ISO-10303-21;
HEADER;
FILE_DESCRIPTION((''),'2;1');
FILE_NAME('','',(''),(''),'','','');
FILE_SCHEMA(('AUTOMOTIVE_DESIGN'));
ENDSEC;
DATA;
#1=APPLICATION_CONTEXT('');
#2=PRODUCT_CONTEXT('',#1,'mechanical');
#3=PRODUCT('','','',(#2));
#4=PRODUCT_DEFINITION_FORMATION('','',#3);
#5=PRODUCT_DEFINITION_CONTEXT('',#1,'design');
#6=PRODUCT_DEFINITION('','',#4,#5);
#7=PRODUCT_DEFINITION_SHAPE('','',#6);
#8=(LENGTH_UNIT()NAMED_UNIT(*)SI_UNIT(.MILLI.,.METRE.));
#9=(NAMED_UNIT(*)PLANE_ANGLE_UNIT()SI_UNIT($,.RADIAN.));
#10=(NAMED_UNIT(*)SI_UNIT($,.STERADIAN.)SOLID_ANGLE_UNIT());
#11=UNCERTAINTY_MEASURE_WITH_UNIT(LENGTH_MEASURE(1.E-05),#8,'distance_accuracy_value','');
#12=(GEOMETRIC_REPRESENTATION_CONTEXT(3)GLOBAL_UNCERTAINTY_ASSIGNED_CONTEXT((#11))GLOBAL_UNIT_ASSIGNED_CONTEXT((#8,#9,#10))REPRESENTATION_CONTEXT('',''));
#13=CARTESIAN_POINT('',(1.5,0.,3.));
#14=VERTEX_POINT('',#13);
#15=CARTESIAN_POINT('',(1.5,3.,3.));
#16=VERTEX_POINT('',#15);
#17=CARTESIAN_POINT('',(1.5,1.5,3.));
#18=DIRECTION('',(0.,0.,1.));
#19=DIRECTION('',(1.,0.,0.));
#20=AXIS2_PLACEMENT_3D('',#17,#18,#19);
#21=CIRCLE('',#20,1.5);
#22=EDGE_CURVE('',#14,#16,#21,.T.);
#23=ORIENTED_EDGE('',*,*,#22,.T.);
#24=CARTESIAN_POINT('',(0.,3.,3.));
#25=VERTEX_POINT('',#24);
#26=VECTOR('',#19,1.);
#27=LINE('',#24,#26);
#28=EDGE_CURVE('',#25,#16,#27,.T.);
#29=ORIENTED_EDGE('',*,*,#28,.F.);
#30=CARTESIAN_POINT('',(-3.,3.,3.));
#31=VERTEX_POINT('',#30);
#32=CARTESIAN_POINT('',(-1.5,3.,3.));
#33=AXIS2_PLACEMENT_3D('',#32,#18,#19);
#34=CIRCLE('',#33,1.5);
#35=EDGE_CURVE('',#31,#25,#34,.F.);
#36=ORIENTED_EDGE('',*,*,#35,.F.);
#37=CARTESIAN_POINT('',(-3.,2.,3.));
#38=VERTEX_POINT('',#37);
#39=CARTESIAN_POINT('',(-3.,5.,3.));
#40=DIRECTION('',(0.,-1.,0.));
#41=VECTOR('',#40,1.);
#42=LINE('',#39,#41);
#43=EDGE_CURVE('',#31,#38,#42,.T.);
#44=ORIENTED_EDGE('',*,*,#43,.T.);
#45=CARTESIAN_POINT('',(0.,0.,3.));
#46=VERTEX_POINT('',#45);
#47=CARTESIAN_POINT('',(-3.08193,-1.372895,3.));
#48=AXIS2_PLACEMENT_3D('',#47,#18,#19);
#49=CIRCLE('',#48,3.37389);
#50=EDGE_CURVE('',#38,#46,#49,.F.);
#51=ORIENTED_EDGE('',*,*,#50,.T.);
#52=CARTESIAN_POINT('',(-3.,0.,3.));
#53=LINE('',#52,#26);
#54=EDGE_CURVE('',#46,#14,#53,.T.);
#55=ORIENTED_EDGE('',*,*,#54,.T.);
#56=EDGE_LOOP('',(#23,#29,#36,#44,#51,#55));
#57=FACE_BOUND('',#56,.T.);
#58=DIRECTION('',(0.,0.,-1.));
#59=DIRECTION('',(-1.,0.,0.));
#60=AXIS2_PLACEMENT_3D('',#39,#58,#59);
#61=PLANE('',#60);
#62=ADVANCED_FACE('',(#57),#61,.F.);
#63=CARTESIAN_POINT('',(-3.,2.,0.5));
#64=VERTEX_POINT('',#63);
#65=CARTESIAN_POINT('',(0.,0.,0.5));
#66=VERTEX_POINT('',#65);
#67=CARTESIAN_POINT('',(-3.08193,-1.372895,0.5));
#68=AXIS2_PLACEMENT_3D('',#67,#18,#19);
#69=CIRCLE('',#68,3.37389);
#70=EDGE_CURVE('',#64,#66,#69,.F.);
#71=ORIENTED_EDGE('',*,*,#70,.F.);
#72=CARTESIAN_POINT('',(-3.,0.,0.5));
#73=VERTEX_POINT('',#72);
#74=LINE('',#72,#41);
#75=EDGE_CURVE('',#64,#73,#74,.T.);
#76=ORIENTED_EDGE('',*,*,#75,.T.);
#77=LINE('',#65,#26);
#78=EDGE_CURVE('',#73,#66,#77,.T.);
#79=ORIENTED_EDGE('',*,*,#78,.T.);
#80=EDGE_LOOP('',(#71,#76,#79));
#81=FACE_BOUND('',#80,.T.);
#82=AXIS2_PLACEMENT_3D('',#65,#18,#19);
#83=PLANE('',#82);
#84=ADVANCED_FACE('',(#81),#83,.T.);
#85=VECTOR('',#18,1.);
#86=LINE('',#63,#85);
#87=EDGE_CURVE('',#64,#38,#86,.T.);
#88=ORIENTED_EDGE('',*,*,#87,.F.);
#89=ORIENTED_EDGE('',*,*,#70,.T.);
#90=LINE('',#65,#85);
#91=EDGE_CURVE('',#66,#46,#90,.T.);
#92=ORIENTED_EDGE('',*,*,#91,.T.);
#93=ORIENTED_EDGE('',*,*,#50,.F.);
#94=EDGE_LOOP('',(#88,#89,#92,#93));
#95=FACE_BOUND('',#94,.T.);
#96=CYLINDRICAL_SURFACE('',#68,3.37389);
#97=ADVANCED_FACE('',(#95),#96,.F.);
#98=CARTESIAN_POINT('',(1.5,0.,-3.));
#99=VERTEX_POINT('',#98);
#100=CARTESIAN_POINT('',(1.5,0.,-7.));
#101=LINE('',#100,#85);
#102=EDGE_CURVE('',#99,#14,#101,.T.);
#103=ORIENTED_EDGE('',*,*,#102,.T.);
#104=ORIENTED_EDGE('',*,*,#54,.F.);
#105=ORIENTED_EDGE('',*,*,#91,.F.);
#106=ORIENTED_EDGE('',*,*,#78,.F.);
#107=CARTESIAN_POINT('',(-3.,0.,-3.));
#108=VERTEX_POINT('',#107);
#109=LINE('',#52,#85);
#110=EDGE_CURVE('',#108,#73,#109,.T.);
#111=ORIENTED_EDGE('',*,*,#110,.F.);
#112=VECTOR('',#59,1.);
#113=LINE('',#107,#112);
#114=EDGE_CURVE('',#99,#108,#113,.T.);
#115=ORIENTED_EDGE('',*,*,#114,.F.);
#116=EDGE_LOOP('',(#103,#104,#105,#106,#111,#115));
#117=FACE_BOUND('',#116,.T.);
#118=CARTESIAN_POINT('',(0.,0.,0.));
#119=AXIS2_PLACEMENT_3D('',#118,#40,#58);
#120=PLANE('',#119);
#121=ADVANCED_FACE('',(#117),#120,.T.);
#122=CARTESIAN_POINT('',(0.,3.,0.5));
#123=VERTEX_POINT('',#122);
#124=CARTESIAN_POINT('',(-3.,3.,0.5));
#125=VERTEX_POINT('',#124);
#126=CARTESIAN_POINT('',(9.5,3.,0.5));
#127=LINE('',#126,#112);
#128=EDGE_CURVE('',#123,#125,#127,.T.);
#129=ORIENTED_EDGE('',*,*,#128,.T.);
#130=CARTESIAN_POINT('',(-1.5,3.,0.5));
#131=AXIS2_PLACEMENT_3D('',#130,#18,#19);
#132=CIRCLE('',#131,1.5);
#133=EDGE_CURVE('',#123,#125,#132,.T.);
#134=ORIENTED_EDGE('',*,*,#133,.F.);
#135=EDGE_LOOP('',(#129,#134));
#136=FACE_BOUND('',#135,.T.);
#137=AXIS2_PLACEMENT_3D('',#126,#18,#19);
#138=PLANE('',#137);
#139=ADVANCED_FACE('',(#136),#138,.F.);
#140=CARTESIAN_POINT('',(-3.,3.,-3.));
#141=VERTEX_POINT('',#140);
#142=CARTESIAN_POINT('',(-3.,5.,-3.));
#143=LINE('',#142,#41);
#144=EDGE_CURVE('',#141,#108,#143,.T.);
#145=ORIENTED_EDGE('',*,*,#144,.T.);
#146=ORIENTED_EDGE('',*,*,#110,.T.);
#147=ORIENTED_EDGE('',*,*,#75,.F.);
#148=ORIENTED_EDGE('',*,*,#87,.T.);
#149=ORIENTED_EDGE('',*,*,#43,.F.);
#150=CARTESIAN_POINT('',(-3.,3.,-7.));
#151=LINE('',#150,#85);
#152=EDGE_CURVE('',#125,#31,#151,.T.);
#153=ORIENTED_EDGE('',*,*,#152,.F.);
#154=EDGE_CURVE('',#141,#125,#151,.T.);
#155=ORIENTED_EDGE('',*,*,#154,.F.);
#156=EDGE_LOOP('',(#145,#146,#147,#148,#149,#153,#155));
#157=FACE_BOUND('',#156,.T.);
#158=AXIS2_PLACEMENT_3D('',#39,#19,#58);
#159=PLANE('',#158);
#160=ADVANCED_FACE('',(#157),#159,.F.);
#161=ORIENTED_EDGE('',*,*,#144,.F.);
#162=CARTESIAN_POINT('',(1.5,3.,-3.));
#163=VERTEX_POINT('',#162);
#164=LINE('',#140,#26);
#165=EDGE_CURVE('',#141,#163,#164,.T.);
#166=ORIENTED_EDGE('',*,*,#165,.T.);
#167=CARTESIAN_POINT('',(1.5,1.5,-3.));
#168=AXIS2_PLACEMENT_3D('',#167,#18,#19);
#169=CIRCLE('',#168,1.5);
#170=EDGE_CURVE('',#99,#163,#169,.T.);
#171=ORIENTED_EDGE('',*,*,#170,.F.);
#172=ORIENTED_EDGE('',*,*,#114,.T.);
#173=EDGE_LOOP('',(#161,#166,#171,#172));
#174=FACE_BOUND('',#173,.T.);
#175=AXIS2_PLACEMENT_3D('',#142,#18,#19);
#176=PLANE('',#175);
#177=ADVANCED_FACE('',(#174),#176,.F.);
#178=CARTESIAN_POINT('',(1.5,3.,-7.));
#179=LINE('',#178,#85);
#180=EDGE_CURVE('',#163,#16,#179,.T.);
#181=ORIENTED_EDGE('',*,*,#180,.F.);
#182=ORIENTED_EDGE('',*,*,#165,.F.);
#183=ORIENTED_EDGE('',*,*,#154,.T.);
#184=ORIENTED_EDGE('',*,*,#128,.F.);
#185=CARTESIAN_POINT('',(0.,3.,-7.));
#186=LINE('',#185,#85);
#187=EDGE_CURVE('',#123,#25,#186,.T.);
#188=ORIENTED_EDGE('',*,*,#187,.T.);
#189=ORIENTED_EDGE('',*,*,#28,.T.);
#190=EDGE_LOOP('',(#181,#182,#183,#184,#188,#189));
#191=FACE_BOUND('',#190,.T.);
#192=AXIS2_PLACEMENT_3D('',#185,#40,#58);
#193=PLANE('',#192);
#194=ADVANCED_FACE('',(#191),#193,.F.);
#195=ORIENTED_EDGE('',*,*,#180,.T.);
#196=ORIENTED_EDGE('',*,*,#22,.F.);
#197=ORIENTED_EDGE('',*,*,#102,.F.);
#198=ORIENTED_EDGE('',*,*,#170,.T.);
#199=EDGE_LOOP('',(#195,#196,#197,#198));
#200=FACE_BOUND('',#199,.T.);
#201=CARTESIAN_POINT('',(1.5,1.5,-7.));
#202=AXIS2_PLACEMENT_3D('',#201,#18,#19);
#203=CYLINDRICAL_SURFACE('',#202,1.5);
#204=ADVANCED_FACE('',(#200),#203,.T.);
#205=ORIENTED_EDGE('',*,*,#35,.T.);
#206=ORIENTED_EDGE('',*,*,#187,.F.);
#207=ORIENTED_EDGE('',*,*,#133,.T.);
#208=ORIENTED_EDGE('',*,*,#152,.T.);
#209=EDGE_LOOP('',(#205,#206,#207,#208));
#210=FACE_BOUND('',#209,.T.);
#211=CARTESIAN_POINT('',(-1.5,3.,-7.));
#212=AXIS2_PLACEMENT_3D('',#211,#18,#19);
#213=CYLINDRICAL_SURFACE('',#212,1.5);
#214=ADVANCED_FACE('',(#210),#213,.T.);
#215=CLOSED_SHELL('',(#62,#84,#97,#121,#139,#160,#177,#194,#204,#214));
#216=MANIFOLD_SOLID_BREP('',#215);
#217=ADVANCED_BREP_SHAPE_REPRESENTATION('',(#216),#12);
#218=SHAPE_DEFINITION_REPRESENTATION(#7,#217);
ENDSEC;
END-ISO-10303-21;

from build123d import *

# Parameters (mm, degrees)
SKETCH1_W               = 6
SKETCH1_H               = 6
BOSS_EXTRUDE1_DEPTH     = 5
CUT_EXTRUDE1_DEPTH      = 10
CUT_EXTRUDE2_DEPTH      = 1
CUT_EXTRUDE2_DEPTH_BACK = 2.5
SKETCH4_W               = 3.5
SKETCH4_H               = 1.5
CUT_EXTRUDE3_DEPTH      = 12.5


with BuildPart() as part:
    # Sketch1 → Boss-Extrude1 (new body)
    with BuildSketch(Plane(origin=(0, 0, 0), x_dir=(1, 0, 0), z_dir=(0, 1, 0))):
        Rectangle(SKETCH1_W, SKETCH1_H)
    extrude(amount=BOSS_EXTRUDE1_DEPTH)

    # Sketch2 → Cut-Extrude1 (cut)
    with BuildSketch(Plane.XY.offset(3)):
        with BuildLine():
            ThreePointArc((-3, 3), (-1.5, 4.5), (0, 3))
            Line((0, 3), (1.5, 3))
            ThreePointArc((1.5, 3), (2.560660172, 2.560660172), (3, 1.5))
            Line((3, 1.5), (3, 5))
            Line((3, 5), (-3, 5))
            Line((-3, 5), (-3, 3))
        make_face()
        with BuildLine():
            Line((3, 0), (3, 1.5))
            ThreePointArc((3, 1.5), (2.560660172, 0.439339828), (1.5, 0))
            Line((1.5, 0), (3, 0))
        make_face()
    extrude(amount=-CUT_EXTRUDE1_DEPTH, mode=Mode.SUBTRACT)

    # Sketch3 → Cut-Extrude2 (cut, two sides)
    with BuildSketch(Plane.XY.offset(3)) as cut_extrude2_sk:
        with BuildLine():
            Line((-3, 2), (-3, 0))
            Line((-3, 0), (0, 0))
            ThreePointArc((0, 0), (-1.210432595, 1.434351108), (-3, 2))
        make_face()
    extrude(amount=CUT_EXTRUDE2_DEPTH, mode=Mode.SUBTRACT)
    extrude(cut_extrude2_sk.sketch, amount=-CUT_EXTRUDE2_DEPTH_BACK, mode=Mode.SUBTRACT)

    # Sketch4 → Cut-Extrude3 (cut)
    with BuildSketch(Plane.ZY.offset(3)):
        with Locations((-1.25, 3.75)):
            Rectangle(SKETCH4_W, SKETCH4_H)
    extrude(amount=-CUT_EXTRUDE3_DEPTH, mode=Mode.SUBTRACT)


solid = part.part
